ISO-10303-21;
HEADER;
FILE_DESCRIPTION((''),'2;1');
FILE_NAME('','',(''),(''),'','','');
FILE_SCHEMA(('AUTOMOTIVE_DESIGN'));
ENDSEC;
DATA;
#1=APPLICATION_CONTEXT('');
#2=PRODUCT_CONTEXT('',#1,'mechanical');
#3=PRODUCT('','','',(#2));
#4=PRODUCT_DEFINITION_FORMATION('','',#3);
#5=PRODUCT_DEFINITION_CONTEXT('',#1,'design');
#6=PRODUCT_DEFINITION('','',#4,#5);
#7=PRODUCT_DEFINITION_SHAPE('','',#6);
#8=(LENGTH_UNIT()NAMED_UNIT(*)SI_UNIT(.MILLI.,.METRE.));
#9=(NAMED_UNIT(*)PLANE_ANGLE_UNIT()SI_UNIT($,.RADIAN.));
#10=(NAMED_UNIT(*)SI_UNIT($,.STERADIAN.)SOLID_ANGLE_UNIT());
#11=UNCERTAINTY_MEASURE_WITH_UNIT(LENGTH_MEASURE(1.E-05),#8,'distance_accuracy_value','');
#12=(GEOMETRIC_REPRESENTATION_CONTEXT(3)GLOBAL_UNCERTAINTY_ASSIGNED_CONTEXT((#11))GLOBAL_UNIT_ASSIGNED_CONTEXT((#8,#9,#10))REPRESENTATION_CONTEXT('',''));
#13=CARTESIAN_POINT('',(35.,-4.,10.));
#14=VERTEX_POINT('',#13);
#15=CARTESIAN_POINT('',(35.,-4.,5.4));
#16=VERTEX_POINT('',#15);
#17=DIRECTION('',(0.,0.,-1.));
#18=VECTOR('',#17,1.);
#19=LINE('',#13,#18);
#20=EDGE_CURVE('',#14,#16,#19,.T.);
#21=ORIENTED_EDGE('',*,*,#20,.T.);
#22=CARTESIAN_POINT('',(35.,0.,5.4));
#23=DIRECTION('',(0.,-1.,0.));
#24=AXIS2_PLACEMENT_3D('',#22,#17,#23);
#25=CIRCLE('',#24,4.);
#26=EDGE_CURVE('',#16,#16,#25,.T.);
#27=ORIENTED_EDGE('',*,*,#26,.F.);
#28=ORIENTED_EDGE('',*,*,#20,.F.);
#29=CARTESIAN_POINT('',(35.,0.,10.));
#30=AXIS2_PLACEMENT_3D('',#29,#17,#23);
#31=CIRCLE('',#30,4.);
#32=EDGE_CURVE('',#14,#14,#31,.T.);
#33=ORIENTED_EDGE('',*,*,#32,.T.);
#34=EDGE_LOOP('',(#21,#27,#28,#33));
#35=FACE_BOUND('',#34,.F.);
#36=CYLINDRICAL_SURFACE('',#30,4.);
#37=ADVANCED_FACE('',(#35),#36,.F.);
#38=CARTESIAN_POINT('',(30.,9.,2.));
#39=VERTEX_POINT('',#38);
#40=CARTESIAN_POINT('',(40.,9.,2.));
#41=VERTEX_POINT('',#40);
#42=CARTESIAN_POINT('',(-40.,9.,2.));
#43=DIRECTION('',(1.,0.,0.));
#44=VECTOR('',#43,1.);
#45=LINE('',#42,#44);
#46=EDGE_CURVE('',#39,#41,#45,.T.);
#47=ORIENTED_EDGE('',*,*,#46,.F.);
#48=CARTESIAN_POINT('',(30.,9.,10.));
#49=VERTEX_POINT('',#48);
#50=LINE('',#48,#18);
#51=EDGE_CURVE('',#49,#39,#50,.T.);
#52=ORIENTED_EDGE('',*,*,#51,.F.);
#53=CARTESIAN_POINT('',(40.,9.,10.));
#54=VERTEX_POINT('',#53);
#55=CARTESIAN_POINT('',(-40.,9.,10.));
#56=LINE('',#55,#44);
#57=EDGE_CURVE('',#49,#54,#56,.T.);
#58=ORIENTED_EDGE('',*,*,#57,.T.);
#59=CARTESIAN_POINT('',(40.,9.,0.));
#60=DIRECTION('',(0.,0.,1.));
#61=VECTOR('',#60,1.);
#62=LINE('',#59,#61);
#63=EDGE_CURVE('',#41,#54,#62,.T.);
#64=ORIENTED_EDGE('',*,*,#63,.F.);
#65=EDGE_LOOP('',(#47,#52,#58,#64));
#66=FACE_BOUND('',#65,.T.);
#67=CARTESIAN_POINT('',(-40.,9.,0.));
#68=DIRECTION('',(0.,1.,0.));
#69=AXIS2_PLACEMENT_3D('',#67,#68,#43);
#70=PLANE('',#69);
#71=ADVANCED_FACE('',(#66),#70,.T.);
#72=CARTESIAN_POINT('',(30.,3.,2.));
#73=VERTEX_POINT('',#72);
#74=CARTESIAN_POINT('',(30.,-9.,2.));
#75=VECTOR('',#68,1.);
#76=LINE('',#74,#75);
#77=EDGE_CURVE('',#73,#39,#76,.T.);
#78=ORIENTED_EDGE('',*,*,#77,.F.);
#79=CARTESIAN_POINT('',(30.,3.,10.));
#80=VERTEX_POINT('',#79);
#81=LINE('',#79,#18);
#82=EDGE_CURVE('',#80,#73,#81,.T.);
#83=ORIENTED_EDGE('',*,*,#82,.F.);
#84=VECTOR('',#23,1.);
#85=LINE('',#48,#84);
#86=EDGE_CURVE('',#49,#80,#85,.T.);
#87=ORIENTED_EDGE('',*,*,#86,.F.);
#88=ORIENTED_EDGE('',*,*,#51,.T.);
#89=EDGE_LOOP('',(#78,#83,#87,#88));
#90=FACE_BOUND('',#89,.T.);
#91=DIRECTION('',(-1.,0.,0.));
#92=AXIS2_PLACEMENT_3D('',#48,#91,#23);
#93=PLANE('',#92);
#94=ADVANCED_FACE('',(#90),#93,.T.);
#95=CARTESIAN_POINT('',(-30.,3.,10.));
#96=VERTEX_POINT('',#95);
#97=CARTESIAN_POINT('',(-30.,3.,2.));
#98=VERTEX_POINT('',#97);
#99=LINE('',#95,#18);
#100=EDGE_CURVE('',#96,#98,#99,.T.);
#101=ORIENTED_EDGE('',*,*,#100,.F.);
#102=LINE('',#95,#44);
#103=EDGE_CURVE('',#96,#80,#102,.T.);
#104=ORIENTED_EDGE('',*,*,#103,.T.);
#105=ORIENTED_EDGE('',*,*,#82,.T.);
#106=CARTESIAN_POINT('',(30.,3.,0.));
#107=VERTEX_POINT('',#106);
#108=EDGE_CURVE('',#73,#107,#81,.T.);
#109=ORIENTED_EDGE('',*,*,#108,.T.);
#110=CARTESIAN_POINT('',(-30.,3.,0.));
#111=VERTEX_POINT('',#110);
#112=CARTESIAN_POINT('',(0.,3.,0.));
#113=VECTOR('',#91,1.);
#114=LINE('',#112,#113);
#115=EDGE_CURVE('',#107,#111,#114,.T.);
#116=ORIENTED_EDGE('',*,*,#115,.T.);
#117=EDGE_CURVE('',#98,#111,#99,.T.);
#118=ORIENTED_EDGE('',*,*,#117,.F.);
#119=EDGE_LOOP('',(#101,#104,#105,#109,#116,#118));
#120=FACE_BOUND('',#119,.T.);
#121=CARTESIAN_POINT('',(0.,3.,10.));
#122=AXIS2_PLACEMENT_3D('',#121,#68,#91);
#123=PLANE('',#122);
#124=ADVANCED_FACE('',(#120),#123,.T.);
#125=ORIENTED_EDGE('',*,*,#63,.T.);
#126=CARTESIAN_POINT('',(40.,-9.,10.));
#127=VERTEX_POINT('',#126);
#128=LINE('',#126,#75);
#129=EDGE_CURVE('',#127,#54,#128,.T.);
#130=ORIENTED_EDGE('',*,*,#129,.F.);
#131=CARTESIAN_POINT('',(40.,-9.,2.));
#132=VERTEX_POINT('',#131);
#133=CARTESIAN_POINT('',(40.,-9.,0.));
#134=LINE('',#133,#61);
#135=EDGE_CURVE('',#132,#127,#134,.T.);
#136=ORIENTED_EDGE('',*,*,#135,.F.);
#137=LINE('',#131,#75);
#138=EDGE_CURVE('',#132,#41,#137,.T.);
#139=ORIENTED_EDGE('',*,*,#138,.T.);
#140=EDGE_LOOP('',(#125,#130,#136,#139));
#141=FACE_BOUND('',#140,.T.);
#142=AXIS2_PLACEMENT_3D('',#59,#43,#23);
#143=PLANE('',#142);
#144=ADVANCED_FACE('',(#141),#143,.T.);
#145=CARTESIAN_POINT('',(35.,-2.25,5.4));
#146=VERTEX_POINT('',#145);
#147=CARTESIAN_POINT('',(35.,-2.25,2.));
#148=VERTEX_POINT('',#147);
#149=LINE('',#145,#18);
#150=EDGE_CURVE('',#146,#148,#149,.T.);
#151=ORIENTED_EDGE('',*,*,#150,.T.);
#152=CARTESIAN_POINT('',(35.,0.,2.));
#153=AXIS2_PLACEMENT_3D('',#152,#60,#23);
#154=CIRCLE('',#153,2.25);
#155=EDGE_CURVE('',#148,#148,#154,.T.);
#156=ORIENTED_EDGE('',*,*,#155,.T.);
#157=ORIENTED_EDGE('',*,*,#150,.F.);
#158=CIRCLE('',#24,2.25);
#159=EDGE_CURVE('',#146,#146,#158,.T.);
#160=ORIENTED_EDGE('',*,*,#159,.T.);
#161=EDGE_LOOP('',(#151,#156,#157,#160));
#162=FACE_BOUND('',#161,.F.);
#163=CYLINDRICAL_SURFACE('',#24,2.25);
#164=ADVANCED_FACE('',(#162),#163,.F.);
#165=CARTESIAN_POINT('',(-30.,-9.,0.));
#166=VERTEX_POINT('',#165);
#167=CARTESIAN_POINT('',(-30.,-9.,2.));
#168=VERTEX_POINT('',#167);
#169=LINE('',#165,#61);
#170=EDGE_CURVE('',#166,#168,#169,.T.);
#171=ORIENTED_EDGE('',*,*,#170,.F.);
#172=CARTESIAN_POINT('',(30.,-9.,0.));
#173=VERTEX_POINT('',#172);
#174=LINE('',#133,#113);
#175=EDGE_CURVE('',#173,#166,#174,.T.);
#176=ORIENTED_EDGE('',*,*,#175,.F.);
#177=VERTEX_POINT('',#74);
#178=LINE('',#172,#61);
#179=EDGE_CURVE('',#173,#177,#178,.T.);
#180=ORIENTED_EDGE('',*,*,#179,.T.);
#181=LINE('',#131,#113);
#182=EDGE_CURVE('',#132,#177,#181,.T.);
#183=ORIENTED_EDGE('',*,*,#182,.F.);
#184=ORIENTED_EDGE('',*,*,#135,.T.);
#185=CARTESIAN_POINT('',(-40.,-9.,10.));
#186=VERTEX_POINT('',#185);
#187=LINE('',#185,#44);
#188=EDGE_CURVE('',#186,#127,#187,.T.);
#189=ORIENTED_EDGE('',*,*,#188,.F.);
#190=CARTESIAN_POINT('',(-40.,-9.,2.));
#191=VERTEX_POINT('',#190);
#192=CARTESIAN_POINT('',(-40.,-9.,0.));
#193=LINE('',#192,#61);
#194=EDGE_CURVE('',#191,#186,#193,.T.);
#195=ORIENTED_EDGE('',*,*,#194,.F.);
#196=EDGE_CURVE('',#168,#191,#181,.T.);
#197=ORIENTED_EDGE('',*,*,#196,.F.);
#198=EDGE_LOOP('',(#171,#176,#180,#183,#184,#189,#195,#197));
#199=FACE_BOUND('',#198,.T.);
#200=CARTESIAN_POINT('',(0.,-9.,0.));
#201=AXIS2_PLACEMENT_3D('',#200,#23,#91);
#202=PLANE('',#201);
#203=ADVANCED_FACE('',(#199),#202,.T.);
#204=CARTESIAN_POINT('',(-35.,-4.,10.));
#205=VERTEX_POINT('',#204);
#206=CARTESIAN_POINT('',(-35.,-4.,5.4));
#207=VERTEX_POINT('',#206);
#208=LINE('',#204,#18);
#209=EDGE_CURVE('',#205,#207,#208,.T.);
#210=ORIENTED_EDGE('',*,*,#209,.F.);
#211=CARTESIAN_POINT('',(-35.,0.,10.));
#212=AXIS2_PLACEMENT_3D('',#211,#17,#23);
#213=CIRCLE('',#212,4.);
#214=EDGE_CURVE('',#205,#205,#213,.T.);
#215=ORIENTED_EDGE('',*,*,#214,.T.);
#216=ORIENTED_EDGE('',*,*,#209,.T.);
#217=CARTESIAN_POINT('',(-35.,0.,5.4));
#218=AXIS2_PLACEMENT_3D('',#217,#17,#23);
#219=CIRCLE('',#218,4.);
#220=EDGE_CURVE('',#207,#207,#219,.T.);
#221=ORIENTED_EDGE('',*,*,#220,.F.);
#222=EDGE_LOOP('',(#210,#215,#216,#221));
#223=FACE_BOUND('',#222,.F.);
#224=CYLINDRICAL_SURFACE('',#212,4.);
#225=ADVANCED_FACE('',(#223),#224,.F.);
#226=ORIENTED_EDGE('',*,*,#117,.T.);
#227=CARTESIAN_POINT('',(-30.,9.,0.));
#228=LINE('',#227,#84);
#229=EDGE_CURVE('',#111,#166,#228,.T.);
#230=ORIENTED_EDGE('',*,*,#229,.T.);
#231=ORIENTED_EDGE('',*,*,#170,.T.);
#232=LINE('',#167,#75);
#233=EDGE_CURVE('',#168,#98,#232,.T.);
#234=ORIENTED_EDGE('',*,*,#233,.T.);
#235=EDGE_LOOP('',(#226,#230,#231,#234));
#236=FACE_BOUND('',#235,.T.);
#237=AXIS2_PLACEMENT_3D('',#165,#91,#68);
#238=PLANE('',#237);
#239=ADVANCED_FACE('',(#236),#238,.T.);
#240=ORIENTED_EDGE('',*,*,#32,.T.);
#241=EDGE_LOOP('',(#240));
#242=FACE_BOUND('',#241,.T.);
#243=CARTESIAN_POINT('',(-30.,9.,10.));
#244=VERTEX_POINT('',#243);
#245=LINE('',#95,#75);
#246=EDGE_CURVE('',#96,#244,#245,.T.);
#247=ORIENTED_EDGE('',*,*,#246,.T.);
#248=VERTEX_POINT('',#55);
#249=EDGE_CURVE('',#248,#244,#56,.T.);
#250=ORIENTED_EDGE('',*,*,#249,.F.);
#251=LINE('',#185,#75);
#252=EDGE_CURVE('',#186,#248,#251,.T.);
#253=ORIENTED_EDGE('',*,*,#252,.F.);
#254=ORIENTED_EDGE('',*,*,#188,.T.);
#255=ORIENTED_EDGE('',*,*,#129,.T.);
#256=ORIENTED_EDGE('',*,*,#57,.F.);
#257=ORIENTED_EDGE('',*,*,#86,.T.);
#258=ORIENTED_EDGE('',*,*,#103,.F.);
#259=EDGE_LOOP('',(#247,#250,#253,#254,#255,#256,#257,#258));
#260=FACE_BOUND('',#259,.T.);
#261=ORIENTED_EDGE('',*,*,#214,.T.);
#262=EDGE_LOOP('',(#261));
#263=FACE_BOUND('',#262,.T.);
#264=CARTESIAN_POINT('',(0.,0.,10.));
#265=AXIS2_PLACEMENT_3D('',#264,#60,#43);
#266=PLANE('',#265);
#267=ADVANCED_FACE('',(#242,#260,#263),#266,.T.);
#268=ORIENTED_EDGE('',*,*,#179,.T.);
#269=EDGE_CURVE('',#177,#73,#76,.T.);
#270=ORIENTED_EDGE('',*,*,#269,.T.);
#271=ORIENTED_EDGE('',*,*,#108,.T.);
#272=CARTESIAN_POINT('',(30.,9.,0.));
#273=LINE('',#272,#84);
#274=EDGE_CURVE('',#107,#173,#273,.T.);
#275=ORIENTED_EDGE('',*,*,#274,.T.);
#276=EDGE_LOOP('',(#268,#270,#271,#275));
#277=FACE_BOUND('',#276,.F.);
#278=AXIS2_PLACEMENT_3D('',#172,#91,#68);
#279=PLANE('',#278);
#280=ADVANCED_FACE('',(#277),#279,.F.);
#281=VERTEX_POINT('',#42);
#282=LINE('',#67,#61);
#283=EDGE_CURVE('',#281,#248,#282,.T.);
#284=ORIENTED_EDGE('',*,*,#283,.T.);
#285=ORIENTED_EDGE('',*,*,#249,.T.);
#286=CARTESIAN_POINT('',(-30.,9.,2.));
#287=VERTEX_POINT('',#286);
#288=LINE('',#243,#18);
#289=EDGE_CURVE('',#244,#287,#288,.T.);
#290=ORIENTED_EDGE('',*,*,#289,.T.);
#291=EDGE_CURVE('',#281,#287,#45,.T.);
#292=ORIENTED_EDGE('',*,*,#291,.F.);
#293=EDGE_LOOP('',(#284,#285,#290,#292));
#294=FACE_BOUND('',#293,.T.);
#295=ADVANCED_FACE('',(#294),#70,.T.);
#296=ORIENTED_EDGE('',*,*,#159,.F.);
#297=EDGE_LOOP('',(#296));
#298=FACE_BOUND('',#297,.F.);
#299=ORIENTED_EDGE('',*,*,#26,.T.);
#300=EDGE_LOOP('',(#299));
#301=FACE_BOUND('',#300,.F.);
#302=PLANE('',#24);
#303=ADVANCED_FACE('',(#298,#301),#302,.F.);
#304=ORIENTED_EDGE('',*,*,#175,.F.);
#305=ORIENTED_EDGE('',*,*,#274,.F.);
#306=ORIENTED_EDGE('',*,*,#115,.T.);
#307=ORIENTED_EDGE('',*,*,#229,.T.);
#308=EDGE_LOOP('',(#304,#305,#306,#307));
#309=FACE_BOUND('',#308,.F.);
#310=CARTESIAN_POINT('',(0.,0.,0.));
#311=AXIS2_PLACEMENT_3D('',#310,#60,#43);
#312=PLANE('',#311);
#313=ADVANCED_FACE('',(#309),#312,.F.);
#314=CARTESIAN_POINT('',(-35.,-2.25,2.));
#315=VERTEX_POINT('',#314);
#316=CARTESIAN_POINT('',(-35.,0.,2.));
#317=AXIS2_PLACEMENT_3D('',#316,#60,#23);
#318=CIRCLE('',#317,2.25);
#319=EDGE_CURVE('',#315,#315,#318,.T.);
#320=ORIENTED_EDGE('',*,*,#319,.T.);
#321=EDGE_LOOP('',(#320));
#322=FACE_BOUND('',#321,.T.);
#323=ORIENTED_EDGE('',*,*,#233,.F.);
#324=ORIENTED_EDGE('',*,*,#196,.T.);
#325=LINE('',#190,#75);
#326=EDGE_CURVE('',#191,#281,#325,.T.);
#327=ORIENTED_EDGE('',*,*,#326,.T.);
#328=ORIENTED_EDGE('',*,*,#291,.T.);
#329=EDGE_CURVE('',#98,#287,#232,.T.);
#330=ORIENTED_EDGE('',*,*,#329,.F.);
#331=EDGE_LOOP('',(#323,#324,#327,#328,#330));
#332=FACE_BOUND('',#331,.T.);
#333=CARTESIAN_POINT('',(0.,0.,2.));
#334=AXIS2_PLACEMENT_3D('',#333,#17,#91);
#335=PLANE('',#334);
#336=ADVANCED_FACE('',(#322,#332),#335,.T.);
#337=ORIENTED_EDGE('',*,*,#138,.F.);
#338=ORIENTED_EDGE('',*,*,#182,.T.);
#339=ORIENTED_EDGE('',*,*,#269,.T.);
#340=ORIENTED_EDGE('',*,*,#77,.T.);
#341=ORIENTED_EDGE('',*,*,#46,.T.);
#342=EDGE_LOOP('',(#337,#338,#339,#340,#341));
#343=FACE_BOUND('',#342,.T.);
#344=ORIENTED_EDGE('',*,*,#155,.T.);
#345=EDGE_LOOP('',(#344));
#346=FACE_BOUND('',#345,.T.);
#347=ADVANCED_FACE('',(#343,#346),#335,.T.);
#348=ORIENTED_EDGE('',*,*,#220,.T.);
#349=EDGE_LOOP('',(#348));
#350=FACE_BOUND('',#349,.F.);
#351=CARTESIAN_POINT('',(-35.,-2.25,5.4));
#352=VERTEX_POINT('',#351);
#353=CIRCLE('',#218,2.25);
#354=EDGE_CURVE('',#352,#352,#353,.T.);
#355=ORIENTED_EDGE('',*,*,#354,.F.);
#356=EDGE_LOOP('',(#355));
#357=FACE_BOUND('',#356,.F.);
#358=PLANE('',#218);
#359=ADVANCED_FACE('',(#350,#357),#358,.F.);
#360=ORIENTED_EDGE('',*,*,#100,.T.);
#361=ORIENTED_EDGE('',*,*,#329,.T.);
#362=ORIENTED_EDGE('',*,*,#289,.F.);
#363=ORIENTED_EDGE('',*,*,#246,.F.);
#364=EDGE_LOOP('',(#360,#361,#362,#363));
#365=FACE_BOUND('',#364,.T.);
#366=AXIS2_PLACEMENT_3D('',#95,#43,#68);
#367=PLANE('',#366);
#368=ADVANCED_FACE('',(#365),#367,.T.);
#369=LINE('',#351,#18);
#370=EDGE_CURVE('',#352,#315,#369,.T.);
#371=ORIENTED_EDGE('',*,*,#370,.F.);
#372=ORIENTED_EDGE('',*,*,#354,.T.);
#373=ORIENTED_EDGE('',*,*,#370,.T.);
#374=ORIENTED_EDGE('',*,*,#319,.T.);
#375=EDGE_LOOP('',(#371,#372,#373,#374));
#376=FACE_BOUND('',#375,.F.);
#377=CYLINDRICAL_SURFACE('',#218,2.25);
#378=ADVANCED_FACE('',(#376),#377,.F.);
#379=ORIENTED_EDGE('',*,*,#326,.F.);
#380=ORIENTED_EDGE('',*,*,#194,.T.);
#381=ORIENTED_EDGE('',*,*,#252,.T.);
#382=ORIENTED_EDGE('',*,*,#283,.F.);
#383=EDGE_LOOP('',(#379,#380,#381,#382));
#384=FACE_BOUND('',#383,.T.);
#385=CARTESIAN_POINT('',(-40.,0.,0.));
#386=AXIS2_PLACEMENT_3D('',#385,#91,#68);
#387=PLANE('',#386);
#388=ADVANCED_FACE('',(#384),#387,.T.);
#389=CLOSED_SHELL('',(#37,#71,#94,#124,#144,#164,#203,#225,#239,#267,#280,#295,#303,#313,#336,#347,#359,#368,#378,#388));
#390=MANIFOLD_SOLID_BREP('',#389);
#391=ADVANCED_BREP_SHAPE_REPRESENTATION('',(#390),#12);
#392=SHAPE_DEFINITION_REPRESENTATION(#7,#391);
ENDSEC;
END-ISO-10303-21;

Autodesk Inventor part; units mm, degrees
ref_plane "YZ Plane" through (0, 0, 0) normal (1, 0, 0) x (0, 1, 0)
ref_plane "XZ Plane" through (0, 0, 0) normal (0, 1, 0) x (-1, 0, 0)
ref_plane "XY Plane" through (0, 0, 0) normal (0, 0, 1) x (1, 0, 0)
sketch "Skizze_Grudnkörper" plane through (0, 0, 0) normal (0, 0, 1) x (1, 0, 0)
  line L0 (-56, 0) -> (56, 0) projected
  line L1 (0, -12.6) -> (0, 12.6) projected
  line L2 (40, -9) -> (-40, -9)
  line L3 (-40, -9) -> (-40, 9)
  line L4 (-40, 9) -> (40, 9)
  line L5 (40, 9) -> (40, -9)
  line L6 (40, -9) -> (-40, 9) construction
  line L7 (-40, -9) -> (40, 9) construction
  point P0 (0, 0)
  dimension "Länge" = 80
  dimension "Breite" = 18
extrude "Grundkörper" add sketch "Skizze_Grudnkörper" along normal blind 10
sketch "Skizze_Senkbohrung" plane through (0, 0, 10) normal (0, 0, 1) x (1, 0, 0)
  line L0 (-56, 0) -> (56, 0) projected
  line L1 (0, -12.6) -> (0, 12.6) projected
  line L2 (-40, -9) -> (40, -9) projected
  line L3 (40, -9) -> (40, 9) projected
  line L4 (40, 9) -> (-40, 9) projected
  line L5 (-40, 9) -> (-40, -9) projected
  point P0 (0, 0)
  point P1 (-35, 0)
  point P2 (35, 0)
  dimension "d4" = 70
hole "Senkbohrung" at (-35, 0, 10) at (35, 0, 10) direction (0, 0, -1) diameter 4.5 end through all counterbore diameter 8 counterbore depth 4.6
sketch "Skizze_Ausnehmung" plane through (0, 0, 0) normal (0, 0, -1) x (-1, 0, 0)
  circle A0 centre (35, 0) radius 2.25 projected
  circle A1 centre (-35, 0) radius 2.25 projected
  line L0 (-40, -9) -> (40, -9) projected
  line L1 (40, -9) -> (40, 9) projected
  line L2 (40, 9) -> (-40, 9) projected
  line L3 (-40, 9) -> (-40, -9) projected
  line L4 (56, 0) -> (-56, 0) projected
  line L5 (0, -12.6) -> (0, 12.6) projected
  line L6 (40, 9) -> (-40, 9) projected
  line L7 (40, -9) -> (30, -9)
  line L8 (30, -9) -> (30, 9)
  line L9 (30, 9) -> (40, 9)
  line L10 (40, 9) -> (40, -9)
  line L11 (-40, 9) -> (-40, -9) projected
  line L12 (-40, -9) -> (-30, -9)
  line L13 (-30, -9) -> (-30, 9)
  line L14 (-30, 9) -> (-40, 9)
  line L15 (-40, 9) -> (-40, -9)
  point P0 (0, 0)
  dimension "d12" = 60
extrude "Ausnehmung" cut sketch "Skizze_Ausnehmung" against normal blind 2 contours L4 L1 L0 L8 A0 | A0 L4 L8 L2 L1 | L13 L0 L3 L4 A1 | L4 A1 L3 L2 L13
sketch "Skizze_Auswurf" plane through (0, 0, 10) normal (0, 0, 1) x (1, 0, 0)
  line L0 (-56, 0) -> (56, 0) projected
  line L1 (0, -12.6) -> (0, 12.6) projected
  circle A0 centre (-35, 0) radius 4 projected
  circle A1 centre (35, 0) radius 4 projected
  line L2 (-40, -9) -> (40, -9) projected
  line L3 (40, -9) -> (40, 9) projected
  line L4 (40, 9) -> (-40, 9) projected
  line L5 (-40, 9) -> (-40, -9) projected
  line L6 (30, 3) -> (-30, 3)
  line L7 (-30, 3) -> (-30, 9)
  line L8 (-30, 9) -> (30, 9)
  line L9 (30, 9) -> (30, 3)
  line L10 (30, 3) -> (-30, 9) construction
  line L11 (-30, 3) -> (30, 9) construction
  point P0 (0, 0)
  point P1 (0, 6)
  dimension "d15" = 6
  dimension "d16" = 60
extrude "Auswurf" cut sketch "Skizze_Auswurf" against normal through all contours L4 L1 L6 L7 | L4 L9 L6 L1
properties material "Stahl, unlegiert"
